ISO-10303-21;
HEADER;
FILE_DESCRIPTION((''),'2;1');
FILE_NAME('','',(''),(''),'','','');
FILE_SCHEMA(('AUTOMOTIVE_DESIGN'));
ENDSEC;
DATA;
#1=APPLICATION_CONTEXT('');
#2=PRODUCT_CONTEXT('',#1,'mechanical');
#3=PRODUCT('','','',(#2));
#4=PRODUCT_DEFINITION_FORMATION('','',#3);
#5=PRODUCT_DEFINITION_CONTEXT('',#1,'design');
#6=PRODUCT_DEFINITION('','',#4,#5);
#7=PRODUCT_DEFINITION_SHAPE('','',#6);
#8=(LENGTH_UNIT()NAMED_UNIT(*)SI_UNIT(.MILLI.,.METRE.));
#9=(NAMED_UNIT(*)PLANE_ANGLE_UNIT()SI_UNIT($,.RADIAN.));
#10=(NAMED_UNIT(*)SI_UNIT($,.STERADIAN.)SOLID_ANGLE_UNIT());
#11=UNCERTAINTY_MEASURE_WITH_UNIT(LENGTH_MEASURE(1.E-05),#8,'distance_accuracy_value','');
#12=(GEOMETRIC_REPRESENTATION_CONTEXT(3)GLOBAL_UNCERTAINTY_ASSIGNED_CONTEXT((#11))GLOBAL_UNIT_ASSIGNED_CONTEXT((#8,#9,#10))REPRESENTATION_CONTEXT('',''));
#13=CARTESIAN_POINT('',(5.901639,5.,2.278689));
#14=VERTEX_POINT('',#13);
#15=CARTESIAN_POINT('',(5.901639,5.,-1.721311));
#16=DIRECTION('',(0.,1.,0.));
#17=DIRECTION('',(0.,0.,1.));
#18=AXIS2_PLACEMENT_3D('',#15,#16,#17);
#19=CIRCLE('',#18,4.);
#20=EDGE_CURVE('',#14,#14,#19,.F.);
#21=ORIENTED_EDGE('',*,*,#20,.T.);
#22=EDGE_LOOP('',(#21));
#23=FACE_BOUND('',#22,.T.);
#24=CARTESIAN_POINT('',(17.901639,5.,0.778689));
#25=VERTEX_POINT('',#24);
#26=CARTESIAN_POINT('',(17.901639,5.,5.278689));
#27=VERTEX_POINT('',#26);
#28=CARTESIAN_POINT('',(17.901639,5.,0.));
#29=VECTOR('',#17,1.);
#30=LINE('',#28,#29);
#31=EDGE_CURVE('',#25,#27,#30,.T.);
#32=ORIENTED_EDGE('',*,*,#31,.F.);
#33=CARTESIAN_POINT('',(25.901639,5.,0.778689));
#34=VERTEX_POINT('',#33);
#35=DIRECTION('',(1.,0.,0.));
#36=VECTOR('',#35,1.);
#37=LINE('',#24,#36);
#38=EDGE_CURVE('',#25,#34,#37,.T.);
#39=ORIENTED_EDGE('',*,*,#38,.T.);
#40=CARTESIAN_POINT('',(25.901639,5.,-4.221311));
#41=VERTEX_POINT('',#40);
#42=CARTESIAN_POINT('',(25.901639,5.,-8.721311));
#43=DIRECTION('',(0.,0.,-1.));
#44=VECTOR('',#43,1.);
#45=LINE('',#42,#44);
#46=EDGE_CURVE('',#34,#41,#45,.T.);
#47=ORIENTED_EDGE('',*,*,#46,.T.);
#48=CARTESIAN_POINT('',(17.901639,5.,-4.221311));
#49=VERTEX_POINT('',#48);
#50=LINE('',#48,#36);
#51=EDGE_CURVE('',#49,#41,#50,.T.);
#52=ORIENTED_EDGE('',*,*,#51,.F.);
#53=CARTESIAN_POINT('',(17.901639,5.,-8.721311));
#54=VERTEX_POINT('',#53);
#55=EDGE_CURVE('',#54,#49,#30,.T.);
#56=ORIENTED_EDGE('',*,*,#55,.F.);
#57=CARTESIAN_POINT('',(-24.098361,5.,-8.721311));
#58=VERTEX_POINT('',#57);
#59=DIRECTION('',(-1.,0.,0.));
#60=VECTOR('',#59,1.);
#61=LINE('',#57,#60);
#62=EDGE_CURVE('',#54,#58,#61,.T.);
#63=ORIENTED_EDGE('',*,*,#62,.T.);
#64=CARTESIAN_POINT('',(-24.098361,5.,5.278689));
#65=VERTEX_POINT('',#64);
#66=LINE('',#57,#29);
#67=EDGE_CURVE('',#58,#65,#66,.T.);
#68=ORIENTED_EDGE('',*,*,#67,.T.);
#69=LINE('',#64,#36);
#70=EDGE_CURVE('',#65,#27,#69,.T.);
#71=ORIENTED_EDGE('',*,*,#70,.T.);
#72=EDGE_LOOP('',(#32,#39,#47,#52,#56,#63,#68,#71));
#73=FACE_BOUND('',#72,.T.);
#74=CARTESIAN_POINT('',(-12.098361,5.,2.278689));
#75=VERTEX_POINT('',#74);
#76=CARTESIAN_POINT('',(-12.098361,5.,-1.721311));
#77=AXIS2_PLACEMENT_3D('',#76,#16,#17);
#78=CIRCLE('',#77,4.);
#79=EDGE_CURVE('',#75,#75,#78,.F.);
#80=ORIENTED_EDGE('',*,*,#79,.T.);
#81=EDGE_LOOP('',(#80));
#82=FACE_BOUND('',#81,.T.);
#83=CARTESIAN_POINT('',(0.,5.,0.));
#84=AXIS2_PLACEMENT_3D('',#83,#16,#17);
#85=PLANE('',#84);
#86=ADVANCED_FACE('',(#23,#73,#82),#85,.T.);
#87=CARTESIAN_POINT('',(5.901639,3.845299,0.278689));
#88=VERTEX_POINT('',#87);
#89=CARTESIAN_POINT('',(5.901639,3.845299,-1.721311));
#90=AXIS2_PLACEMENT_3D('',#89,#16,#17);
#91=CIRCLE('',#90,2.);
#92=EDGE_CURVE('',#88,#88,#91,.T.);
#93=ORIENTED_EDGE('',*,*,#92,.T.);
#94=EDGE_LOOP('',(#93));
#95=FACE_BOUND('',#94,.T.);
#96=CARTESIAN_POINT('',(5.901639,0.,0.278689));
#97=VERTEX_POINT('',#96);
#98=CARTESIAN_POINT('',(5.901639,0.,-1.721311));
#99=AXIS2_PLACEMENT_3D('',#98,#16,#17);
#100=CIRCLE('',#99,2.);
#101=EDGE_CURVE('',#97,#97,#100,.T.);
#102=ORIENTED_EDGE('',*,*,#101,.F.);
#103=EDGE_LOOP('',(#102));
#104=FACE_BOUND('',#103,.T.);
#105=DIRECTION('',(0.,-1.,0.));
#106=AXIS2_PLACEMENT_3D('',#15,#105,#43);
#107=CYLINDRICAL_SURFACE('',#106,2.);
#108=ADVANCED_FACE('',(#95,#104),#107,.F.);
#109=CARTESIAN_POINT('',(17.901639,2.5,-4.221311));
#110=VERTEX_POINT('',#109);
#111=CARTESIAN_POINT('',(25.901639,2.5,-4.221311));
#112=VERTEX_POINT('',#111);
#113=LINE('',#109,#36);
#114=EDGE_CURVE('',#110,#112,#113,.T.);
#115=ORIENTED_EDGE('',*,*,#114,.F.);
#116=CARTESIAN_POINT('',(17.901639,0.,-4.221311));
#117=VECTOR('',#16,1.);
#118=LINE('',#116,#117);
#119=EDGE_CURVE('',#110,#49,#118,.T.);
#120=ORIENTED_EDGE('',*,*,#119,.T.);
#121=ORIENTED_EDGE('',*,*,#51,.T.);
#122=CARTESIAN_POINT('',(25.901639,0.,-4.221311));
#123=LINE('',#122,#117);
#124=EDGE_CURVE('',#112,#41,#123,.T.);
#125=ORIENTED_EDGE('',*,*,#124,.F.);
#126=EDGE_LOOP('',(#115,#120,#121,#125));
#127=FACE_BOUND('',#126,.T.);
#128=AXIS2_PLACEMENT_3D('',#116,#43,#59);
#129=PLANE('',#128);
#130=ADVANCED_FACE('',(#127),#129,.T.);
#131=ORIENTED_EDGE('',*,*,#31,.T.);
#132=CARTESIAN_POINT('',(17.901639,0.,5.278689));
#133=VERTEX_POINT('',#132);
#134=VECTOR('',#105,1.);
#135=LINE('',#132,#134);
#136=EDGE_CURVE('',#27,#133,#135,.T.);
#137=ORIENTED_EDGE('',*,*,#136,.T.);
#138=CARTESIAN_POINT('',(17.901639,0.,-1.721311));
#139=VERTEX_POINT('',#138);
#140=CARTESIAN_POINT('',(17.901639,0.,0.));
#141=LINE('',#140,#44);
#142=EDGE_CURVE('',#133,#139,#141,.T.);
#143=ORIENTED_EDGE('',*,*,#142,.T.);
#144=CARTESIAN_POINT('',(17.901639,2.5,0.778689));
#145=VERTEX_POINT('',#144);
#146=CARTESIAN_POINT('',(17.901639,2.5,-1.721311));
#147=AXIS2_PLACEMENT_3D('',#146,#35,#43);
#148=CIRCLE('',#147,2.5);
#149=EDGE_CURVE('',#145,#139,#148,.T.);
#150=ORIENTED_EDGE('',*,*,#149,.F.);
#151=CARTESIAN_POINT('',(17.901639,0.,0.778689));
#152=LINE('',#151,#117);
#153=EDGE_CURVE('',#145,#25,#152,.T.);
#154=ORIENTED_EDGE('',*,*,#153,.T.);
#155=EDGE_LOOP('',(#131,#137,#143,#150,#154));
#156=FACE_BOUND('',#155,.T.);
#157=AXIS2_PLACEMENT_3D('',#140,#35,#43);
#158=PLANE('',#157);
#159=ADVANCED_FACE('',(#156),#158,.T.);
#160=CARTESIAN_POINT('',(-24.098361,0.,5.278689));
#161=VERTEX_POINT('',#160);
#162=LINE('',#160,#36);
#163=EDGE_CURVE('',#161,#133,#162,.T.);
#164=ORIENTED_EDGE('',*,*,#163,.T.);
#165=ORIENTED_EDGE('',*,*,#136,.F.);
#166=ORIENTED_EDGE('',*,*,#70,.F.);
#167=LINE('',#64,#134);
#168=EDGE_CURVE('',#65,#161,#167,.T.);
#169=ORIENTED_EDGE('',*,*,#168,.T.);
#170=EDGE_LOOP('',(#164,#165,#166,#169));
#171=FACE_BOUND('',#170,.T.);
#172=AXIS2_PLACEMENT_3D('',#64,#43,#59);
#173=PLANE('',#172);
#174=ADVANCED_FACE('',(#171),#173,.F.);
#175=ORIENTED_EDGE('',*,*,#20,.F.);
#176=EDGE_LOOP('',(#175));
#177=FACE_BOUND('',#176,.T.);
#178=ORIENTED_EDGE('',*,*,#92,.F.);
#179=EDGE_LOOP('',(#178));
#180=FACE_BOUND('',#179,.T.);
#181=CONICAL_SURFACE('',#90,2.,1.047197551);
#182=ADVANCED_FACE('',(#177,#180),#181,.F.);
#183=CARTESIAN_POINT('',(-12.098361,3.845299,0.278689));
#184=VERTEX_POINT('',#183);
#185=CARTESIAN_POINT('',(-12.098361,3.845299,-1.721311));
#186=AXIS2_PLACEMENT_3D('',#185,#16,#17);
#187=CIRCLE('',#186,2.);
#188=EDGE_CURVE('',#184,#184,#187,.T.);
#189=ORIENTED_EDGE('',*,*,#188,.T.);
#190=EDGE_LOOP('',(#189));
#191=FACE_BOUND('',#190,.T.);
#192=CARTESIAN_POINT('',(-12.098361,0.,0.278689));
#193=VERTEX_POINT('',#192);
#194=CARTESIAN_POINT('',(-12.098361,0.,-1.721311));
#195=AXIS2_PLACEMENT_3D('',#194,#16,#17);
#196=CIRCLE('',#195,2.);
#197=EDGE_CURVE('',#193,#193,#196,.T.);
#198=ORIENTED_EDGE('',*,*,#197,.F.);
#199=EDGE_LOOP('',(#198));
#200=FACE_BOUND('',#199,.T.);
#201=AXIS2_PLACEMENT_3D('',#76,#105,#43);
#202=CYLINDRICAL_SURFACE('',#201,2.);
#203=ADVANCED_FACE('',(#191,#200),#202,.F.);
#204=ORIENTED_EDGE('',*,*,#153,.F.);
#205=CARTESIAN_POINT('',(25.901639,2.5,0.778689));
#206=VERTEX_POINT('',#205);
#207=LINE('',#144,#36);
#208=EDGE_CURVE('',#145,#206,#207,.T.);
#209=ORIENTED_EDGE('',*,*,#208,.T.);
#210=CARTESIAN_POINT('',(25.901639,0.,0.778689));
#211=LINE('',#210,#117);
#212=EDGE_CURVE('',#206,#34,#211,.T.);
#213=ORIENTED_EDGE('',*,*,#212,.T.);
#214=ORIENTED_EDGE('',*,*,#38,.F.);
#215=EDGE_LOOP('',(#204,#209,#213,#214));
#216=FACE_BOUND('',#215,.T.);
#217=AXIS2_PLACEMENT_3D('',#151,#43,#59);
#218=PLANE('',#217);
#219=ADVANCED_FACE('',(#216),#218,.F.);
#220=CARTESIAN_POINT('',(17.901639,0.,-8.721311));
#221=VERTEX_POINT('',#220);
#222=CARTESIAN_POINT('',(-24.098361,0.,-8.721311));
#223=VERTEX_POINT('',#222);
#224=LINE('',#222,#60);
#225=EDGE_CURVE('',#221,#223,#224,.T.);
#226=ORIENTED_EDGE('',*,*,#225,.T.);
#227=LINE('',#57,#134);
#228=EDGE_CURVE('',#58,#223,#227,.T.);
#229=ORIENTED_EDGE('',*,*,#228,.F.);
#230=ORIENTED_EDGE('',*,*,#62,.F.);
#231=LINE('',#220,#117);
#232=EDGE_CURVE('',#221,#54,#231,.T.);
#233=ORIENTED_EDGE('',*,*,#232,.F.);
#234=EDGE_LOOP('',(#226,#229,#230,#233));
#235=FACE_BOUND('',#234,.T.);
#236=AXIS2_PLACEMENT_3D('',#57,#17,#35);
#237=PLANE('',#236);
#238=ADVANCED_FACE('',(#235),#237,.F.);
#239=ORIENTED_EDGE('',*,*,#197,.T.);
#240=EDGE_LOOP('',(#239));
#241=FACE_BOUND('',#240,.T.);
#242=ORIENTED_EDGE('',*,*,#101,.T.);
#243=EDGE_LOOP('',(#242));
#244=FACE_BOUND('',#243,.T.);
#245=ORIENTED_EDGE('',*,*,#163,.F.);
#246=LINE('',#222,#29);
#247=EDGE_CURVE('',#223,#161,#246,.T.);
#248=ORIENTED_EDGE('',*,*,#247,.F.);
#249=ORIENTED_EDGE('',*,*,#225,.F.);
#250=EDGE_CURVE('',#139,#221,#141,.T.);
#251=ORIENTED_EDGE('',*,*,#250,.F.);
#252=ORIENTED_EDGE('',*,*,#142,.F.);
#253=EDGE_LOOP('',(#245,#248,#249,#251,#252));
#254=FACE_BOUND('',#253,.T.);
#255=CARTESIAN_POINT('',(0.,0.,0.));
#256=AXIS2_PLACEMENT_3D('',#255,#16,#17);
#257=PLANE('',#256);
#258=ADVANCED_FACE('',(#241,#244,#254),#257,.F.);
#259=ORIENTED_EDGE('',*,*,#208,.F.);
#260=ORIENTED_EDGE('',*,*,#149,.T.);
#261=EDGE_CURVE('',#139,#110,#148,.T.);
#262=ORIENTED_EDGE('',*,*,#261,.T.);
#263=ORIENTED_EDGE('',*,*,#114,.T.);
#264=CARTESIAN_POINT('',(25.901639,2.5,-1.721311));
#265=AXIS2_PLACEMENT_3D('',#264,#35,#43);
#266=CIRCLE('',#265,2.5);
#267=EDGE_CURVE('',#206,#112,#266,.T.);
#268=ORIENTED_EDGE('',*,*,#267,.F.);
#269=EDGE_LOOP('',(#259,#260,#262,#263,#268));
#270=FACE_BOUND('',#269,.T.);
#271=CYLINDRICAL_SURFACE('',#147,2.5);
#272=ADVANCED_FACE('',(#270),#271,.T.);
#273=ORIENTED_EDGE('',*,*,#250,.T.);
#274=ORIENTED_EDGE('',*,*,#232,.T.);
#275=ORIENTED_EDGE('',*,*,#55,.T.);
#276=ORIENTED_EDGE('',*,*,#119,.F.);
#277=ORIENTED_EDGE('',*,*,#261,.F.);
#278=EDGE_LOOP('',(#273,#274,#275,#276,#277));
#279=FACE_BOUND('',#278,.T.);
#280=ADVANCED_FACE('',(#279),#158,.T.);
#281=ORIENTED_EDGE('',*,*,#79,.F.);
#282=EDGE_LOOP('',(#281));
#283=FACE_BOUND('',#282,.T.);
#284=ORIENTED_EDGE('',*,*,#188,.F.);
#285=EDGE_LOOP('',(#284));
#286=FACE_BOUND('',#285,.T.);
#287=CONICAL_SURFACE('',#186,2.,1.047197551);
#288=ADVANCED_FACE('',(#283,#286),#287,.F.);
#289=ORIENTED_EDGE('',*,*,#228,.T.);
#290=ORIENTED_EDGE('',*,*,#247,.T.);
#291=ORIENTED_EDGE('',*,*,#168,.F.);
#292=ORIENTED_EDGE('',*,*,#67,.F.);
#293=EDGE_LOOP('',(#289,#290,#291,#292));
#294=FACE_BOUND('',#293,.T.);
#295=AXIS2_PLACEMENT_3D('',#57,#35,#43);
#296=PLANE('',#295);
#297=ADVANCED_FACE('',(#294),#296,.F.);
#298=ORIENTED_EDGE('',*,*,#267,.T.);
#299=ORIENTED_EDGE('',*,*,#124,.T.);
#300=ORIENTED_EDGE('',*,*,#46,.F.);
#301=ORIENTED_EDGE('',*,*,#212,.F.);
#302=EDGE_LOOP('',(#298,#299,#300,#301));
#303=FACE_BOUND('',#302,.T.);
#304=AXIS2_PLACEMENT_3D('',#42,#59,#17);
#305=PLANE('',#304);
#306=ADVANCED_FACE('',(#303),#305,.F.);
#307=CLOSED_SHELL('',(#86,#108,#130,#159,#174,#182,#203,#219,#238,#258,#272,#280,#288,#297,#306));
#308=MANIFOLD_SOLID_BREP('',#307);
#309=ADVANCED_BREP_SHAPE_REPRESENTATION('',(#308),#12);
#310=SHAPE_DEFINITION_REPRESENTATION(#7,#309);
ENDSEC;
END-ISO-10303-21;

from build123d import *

# Parameters (mm, degrees)
SKETCH1_W           = 50
SKETCH1_H           = 14
SKETCH1_R           = 2
BOSS_EXTRUDE1_DEPTH = 5
CUT_EXTRUDE1_DEPTH  = 8
CHAMFER1_SIZE       = 2
CHAMFER1_SIZE2      = 1.154700538


with BuildPart() as part:
    # Sketch1 → Boss-Extrude1 (new body)
    with BuildSketch(Plane(origin=(0, 0, 0), x_dir=(1, 0, 0), z_dir=(0, 1, 0))):
        with Locations((0.901639344, 1.721311475)):
            Rectangle(SKETCH1_W, SKETCH1_H)
        with Locations(Location((5.901639344, 1.721311475, 0), (0, 0, 270))):
            Circle(SKETCH1_R, mode=Mode.SUBTRACT)
        with Locations(Location((-12.098360656, 1.721311475, 0), (0, 0, 270))):
            Circle(SKETCH1_R, mode=Mode.SUBTRACT)
    extrude(amount=BOSS_EXTRUDE1_DEPTH)

    # Sketch2 → Cut-Extrude1 (cut)
    with BuildSketch(Plane(origin=(25.901639344, 0, 0), x_dir=(0, 0, -1), z_dir=(1, 0, 0))):
        with BuildLine():
            Line((-0.778688525, 5), (-5.278688525, 5))
            Line((-5.278688525, 5), (-5.278688525, 0))
            Line((-5.278688525, 0), (1.721311475, 0))
            ThreePointArc((1.721311475, 0), (-0.046455478, 0.732233047), (-0.778688525, 2.5))
            Line((-0.778688525, 2.5), (-0.778688525, 5))
        make_face()
        with BuildLine():
            ThreePointArc((4.221311475, 2.5), (3.489078428, 0.732233047), (1.721311475, 0))
            Line((1.721311475, 0), (8.721311475, 0))
            Line((8.721311475, 0), (8.721311475, 5))
            Line((8.721311475, 5), (4.221311475, 5))
            Line((4.221311475, 5), (4.221311475, 2.5))
        make_face()
    extrude(amount=-CUT_EXTRUDE1_DEPTH, mode=Mode.SUBTRACT)

    # Chamfer1
    chamfer1_edges = [part.edges().sort_by_distance(p)[0] for p in [
        (5.901639344, 5, -3.721311475),
        (-12.098360656, 5, -3.721311475),
    ]]
    chamfer1_side = [part.faces().sort_by_distance(p)[0] for p in [
        (-1.439620717, 5, -1.721311475),
    ]]
    chamfer(chamfer1_edges, length=CHAMFER1_SIZE, length2=CHAMFER1_SIZE2, reference=chamfer1_side[0])


solid = part.part
